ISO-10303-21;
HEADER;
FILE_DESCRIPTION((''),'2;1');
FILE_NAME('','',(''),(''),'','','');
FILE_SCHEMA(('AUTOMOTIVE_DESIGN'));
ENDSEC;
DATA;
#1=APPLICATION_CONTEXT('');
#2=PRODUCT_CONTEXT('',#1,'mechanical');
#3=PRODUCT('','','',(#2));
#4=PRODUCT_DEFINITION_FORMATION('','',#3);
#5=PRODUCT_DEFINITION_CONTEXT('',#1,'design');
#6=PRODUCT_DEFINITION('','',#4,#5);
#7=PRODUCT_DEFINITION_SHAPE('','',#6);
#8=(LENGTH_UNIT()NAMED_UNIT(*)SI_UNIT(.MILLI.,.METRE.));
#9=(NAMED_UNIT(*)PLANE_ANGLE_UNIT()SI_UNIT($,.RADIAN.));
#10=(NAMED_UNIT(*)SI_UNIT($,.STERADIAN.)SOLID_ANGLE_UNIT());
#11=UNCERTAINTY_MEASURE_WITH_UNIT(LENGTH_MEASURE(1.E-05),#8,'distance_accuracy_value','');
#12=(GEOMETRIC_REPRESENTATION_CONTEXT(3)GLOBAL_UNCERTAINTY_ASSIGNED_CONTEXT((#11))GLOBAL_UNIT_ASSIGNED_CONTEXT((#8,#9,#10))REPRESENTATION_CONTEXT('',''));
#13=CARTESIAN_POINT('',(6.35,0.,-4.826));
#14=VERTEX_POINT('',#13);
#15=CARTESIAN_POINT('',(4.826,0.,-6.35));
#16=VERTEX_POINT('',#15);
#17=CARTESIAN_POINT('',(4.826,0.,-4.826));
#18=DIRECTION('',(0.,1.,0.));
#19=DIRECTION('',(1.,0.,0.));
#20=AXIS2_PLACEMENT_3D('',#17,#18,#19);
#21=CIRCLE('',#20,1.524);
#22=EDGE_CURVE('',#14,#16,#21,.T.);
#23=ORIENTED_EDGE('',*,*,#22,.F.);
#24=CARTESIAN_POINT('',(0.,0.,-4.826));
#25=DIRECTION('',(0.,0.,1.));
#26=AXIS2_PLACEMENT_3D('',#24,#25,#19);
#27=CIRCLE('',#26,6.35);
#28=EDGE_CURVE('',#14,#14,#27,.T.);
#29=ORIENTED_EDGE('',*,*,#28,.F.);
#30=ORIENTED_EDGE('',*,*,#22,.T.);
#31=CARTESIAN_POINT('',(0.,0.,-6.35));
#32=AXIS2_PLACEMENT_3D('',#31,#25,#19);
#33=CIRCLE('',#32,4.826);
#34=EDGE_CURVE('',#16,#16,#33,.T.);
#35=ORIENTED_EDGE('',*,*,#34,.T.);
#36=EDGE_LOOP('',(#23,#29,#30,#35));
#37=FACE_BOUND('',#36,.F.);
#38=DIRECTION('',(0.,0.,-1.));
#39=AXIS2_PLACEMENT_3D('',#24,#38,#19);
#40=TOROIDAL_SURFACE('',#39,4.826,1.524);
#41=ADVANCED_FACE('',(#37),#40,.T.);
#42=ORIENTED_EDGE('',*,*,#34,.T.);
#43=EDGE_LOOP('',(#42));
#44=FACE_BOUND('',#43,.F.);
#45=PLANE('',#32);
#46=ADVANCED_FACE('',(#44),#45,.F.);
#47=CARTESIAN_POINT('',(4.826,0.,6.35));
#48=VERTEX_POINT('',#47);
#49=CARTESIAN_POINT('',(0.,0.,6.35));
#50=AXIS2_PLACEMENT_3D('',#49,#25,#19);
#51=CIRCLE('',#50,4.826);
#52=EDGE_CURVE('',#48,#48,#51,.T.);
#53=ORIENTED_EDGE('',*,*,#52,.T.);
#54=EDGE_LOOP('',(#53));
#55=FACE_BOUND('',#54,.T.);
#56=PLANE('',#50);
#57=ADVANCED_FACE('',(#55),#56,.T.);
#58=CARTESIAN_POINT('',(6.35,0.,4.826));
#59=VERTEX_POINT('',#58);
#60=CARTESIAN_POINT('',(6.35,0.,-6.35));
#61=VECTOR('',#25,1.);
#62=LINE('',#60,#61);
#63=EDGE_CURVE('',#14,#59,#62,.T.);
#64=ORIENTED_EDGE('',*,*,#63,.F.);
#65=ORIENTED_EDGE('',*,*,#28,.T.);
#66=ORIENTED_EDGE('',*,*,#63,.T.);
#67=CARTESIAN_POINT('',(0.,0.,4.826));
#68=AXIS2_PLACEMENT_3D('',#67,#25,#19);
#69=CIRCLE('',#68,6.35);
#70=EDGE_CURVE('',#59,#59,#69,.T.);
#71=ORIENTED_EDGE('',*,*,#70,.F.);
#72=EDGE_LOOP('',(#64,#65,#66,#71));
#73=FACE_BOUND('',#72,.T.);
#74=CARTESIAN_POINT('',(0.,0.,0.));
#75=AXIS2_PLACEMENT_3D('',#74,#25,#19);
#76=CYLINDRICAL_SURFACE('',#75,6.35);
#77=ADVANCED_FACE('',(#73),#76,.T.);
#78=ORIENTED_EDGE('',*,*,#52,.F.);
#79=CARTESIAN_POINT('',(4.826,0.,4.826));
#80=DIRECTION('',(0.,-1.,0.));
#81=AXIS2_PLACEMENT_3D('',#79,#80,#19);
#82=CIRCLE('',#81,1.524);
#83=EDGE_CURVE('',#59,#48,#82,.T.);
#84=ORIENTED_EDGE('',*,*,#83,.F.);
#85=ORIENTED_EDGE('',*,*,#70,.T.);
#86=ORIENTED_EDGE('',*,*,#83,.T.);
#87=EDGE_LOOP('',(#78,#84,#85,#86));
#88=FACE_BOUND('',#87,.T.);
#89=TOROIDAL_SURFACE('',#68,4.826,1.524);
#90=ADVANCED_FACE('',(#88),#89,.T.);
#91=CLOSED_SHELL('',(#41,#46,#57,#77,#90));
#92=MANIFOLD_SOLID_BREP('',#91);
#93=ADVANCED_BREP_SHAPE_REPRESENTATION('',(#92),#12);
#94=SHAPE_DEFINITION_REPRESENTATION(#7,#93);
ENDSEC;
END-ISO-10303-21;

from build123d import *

# Parameters (mm, degrees)
F0_R     = 6.35
F1_DEPTH = 6.35
F2_R     = 1.524
F3_R     = 1.524


with BuildPart() as f1:
    # F0 (on Top) → F1 (new body, symmetric)
    with BuildSketch(Plane.XY):
        Circle(F0_R)
    extrude(amount=F1_DEPTH, both=True)

    # F2
    f2_edges = [f1.edges().sort_by_distance(p)[0] for p in [
        (-6.35, 0, -6.35),
    ]]
    fillet(f2_edges, radius=F2_R)

    # F3
    f3_edges = [f1.edges().sort_by_distance(p)[0] for p in [
        (-6.35, 0, 6.35),
    ]]
    fillet(f3_edges, radius=F3_R)


solid = f1.part
